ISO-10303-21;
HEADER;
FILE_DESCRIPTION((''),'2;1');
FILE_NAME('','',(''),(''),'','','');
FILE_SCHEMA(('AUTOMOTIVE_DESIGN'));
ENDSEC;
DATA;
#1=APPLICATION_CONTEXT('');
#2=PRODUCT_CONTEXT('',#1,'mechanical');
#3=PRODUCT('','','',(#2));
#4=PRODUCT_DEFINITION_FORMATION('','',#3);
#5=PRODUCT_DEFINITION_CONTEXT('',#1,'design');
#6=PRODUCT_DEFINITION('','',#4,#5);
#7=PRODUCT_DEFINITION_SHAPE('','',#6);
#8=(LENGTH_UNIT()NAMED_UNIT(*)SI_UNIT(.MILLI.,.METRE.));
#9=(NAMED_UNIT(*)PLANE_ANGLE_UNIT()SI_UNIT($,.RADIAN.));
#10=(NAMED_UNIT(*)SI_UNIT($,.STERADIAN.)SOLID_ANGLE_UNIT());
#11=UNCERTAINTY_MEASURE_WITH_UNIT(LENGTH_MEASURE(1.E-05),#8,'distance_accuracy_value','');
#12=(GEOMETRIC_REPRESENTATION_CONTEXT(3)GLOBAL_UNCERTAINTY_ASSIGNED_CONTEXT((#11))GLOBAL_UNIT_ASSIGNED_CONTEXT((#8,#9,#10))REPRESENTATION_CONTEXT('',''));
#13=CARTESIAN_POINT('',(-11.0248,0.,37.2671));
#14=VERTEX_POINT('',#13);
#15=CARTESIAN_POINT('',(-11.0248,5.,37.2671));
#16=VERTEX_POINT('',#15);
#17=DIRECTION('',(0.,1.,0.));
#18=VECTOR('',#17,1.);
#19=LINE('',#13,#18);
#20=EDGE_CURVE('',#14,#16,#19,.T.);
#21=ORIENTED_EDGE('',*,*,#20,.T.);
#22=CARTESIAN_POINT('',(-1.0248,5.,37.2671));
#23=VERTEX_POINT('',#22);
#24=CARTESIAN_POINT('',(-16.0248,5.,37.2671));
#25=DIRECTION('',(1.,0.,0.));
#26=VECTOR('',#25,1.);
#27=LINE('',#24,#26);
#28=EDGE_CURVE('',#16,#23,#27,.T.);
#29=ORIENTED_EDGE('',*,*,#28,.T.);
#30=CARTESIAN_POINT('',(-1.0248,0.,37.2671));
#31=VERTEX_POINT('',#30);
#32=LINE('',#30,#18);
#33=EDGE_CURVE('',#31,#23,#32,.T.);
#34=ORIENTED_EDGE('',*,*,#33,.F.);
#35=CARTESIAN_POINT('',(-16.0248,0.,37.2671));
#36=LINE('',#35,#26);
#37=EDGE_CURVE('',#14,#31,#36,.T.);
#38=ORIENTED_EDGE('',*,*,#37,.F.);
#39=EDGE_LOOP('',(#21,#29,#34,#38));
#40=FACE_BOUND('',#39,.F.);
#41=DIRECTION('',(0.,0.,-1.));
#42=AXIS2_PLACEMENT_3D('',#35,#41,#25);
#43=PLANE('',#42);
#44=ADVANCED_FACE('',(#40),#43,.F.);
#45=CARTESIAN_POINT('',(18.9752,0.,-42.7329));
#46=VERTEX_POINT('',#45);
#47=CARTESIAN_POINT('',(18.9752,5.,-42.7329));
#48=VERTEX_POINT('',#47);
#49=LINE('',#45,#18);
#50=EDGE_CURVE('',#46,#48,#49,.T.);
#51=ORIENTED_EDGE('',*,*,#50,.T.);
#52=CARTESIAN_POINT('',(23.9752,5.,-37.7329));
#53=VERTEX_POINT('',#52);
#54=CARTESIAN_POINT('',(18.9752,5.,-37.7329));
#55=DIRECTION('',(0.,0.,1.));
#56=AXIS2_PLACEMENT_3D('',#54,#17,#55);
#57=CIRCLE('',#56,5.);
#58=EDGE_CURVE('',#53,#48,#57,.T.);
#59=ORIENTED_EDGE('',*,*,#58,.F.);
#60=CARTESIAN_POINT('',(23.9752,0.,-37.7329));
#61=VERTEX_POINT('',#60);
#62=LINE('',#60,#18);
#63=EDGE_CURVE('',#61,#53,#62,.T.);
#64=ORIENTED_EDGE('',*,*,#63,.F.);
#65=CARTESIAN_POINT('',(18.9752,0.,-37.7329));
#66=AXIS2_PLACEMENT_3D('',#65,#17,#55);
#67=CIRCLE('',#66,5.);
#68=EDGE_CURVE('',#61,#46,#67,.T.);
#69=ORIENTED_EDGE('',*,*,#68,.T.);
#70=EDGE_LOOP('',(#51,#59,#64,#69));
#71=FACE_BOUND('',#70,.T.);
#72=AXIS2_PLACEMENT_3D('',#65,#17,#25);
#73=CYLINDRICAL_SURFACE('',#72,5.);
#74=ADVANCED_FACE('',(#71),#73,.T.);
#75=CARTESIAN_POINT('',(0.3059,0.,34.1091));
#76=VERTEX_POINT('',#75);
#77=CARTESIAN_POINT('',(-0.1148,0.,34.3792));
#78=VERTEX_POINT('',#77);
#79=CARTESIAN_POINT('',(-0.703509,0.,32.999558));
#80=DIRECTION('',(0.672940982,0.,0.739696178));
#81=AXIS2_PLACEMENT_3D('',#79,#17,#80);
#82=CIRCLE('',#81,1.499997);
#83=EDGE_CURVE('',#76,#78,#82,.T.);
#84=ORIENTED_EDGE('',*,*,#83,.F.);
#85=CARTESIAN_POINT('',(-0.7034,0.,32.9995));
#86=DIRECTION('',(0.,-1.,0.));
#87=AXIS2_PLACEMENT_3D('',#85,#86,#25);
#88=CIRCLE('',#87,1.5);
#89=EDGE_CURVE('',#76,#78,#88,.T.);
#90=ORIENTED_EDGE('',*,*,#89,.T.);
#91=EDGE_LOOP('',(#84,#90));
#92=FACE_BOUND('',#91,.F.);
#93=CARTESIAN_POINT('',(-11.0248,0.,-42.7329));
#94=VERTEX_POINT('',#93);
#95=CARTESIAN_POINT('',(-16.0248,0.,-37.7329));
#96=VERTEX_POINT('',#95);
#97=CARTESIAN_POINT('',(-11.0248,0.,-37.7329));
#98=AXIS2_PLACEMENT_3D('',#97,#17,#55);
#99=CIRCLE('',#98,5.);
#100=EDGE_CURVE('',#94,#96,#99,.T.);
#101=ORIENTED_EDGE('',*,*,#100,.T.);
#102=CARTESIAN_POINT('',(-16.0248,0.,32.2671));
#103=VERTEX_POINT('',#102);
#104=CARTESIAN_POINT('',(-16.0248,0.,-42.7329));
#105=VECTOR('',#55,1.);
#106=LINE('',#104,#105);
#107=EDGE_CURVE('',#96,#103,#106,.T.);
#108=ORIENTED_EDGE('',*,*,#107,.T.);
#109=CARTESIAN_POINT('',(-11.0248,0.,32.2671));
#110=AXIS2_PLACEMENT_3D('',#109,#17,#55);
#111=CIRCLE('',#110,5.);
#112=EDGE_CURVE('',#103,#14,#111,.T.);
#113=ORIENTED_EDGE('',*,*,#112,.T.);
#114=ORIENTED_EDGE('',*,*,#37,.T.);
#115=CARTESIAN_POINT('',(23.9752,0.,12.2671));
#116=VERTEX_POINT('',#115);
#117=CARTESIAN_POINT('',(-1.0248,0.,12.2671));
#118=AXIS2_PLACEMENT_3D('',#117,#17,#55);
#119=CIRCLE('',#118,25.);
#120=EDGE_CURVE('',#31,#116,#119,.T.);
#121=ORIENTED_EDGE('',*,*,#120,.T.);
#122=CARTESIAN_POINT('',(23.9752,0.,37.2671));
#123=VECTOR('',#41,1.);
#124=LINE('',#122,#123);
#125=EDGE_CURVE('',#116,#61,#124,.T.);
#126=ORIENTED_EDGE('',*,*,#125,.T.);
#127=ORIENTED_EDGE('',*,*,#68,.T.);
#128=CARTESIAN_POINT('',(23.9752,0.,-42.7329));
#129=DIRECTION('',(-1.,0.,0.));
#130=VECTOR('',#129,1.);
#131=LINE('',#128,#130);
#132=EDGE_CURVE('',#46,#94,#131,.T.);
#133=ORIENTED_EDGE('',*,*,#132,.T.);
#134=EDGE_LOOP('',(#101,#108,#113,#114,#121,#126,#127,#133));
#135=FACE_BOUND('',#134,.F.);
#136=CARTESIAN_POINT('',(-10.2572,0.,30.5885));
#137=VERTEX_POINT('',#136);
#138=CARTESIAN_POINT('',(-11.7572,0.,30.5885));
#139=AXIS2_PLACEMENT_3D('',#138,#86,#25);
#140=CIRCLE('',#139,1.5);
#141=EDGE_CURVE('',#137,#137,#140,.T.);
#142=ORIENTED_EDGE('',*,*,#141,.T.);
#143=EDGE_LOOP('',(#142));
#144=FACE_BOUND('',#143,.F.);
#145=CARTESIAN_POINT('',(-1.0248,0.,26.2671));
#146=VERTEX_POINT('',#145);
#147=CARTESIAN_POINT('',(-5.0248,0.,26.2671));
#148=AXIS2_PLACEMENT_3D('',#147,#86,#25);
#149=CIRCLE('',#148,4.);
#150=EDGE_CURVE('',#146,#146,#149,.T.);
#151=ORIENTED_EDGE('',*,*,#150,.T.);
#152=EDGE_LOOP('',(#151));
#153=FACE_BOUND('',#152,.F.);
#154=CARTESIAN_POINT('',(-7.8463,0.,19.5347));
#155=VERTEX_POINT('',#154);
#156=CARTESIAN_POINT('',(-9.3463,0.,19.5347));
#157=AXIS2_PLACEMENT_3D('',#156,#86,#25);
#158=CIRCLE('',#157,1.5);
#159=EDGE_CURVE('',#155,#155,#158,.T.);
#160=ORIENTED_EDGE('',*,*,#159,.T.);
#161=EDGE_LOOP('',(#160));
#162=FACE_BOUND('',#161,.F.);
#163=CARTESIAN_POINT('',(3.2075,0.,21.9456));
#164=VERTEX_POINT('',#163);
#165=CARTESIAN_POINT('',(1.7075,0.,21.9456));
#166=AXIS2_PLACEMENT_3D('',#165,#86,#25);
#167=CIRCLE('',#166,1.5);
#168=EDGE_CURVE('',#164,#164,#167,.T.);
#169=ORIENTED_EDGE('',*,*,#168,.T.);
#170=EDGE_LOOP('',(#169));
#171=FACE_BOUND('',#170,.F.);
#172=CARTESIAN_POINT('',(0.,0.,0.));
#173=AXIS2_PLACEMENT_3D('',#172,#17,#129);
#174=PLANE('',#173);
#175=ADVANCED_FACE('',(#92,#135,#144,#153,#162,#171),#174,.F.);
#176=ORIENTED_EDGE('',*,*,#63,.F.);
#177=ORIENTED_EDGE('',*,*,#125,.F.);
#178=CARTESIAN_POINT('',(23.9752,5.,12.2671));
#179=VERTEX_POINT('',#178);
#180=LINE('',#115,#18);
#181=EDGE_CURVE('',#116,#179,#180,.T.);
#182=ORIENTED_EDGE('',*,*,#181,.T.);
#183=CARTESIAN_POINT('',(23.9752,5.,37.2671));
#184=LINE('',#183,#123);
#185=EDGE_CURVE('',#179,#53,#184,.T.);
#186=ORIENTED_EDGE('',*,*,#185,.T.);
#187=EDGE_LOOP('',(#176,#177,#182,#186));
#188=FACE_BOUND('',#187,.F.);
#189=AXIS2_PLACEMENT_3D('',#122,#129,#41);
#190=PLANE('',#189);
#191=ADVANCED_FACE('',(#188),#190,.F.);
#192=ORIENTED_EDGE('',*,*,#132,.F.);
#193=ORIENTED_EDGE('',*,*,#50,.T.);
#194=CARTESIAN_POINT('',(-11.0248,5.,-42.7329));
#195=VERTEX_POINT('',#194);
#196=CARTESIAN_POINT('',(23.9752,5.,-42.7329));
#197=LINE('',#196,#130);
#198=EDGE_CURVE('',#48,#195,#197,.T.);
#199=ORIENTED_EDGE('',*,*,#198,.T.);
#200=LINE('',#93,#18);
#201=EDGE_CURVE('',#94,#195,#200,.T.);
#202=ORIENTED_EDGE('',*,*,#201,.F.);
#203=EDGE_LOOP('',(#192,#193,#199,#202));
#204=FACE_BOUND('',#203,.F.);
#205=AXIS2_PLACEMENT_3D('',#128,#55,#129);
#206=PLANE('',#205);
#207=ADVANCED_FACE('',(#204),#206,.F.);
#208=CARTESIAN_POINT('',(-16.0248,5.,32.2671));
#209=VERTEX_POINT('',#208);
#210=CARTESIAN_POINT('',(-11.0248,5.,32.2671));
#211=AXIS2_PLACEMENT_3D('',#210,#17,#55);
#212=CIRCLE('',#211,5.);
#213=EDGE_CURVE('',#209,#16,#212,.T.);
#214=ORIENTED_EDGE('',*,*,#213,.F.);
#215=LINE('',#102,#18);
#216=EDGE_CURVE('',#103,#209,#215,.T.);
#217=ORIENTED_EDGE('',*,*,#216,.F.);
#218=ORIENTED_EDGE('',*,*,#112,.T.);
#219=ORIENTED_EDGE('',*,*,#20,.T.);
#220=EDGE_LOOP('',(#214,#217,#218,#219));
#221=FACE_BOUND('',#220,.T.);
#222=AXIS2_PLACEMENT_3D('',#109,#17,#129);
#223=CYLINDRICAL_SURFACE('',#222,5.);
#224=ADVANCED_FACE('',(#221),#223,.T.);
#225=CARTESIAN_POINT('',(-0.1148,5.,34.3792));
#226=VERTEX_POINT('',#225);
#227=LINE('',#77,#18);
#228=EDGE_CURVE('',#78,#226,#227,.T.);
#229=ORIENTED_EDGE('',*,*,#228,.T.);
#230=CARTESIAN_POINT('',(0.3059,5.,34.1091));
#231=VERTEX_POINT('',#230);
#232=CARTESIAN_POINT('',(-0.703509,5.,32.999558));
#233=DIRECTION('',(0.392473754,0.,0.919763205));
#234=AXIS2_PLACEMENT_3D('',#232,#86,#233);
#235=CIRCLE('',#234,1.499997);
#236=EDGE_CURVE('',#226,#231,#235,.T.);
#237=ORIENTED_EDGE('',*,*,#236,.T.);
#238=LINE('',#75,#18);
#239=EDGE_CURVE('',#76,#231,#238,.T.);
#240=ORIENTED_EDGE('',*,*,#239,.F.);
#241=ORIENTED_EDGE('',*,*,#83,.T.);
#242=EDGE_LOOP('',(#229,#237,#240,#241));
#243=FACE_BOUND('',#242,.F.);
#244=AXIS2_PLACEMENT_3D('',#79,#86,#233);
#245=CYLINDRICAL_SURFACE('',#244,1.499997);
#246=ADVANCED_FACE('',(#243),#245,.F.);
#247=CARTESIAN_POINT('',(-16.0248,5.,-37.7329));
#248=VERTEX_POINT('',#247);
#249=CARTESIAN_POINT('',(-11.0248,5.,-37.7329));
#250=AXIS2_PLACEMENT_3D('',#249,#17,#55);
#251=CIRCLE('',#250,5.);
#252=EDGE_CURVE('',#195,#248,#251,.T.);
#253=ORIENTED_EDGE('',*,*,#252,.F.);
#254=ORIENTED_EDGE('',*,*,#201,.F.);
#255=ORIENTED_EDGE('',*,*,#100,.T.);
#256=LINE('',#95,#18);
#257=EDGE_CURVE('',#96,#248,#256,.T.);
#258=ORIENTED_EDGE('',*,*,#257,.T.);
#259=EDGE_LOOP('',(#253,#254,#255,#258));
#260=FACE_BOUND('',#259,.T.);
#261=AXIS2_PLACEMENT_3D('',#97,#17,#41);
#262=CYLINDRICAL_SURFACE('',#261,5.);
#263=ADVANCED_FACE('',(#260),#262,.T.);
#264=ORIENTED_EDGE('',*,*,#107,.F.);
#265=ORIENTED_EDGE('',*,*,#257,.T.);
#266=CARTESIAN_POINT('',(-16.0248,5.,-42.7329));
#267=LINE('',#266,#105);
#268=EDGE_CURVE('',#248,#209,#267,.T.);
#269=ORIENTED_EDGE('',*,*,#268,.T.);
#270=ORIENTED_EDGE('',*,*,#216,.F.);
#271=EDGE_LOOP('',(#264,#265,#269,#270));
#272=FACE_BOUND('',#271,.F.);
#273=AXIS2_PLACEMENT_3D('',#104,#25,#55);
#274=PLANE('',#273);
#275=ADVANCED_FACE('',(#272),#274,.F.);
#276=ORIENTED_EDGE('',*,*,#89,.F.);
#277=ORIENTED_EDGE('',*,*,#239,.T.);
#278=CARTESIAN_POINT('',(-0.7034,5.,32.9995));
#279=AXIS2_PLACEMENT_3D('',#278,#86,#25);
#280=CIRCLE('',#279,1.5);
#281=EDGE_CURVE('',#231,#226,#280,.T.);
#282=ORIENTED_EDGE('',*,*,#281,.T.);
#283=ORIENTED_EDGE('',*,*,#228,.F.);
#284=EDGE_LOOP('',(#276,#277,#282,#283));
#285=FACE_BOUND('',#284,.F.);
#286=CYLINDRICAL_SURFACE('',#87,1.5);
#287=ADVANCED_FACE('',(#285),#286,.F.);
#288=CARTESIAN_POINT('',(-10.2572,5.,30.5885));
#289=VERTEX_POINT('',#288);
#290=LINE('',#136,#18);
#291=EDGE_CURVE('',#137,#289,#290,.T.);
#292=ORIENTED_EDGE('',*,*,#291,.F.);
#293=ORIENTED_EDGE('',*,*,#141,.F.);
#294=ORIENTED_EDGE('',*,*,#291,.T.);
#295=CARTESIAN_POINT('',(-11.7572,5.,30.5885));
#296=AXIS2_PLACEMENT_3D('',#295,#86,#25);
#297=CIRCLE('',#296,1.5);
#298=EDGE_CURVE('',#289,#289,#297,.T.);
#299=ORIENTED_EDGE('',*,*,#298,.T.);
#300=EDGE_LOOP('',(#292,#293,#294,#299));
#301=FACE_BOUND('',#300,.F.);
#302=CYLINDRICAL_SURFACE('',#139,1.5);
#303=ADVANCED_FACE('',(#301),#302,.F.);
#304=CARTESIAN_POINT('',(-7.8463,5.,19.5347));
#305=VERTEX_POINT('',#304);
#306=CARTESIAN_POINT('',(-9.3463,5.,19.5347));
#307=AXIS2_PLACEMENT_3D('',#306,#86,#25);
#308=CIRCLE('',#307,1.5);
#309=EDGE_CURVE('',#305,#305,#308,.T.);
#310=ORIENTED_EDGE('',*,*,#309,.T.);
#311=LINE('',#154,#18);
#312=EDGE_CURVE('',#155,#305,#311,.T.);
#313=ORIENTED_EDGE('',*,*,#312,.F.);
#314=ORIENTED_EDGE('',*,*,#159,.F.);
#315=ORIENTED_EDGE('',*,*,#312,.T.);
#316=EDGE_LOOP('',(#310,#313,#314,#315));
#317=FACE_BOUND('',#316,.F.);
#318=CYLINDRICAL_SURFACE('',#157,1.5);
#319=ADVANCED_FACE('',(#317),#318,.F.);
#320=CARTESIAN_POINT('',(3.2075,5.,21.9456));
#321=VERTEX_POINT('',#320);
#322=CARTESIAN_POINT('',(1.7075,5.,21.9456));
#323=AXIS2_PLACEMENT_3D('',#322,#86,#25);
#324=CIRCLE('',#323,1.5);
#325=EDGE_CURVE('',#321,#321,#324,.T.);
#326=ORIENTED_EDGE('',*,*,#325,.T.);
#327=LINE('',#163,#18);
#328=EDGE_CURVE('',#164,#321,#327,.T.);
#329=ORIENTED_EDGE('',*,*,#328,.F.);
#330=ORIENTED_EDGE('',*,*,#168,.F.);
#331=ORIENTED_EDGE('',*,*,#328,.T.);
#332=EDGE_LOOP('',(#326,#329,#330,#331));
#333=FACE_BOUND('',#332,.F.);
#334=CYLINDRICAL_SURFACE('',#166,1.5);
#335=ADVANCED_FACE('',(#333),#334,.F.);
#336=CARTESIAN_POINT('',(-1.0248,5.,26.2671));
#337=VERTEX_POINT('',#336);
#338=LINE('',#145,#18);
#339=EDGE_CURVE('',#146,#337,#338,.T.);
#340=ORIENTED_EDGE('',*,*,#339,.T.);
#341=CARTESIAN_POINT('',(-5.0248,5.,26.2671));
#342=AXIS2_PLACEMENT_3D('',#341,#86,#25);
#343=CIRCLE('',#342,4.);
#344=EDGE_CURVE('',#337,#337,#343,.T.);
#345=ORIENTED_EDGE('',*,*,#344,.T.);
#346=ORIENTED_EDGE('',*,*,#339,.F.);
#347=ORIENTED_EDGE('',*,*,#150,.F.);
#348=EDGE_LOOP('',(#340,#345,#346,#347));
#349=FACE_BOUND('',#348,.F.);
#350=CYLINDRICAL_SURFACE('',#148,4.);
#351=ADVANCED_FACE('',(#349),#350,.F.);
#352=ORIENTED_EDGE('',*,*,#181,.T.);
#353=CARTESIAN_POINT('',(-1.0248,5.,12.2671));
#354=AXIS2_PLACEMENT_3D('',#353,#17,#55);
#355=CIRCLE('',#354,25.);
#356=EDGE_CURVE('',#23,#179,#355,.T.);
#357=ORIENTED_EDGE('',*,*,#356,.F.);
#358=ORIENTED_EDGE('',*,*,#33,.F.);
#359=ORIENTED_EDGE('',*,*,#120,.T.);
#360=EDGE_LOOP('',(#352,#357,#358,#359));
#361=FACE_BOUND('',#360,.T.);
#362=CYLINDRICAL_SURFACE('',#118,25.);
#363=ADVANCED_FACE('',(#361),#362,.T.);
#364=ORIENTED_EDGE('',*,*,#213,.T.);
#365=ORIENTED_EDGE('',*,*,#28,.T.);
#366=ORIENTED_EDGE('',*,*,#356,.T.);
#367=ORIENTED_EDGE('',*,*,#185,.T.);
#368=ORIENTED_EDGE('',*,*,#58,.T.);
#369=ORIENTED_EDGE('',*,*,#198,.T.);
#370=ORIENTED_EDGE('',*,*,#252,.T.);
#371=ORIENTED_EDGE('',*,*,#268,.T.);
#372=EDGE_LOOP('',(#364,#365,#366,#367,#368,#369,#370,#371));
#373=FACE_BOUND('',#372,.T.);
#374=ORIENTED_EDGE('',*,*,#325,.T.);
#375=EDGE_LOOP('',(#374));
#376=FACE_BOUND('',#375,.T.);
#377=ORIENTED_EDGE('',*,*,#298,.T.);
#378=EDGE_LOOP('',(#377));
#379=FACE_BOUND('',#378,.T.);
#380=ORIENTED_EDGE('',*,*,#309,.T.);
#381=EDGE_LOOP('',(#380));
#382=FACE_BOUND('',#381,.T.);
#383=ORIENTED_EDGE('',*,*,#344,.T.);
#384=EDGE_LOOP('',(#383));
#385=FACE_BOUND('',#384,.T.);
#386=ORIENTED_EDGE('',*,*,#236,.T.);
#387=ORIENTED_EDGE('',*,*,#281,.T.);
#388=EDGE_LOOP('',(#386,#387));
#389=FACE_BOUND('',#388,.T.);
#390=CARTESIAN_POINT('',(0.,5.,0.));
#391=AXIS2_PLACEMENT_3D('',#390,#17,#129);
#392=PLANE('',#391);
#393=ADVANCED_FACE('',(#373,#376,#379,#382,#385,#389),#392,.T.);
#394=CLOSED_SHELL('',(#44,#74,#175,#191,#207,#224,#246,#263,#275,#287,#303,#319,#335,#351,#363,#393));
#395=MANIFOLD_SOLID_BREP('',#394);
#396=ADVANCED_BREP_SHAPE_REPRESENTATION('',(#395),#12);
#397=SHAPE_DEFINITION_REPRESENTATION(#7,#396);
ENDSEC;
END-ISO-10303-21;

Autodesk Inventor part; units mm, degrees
ref_plane "YZ Plane" through (0, 0, 0) normal (1, 0, 0) x (0, 1, 0)
ref_plane "XZ Plane" through (0, 0, 0) normal (0, 1, 0) x (-1, 0, 0)
ref_plane "XY Plane" through (0, 0, 0) normal (0, 0, 1) x (1, 0, 0)
sketch "Esquisse1" plane through (0, 0, 0) normal (0, 1, 0) x (-1, 0, 0)
  line L0 (16.0248, 37.2671) -> (-23.9752, 37.2671)
  line L1 (-23.9752, 37.2671) -> (-23.9752, -42.7329)
  line L2 (-23.9752, -42.7329) -> (16.0248, -42.7329)
  line L3 (16.0248, -42.7329) -> (16.0248, 37.2671)
  point P0 (0, 0)
  dimension "d0" = 80
  dimension "d1" = 40
extrude "Extrusion1" add sketch "Esquisse1" along normal blind 5
sketch "Esquisse2" plane through (0, 0, 0) normal (0, -1, 0) x (1, 0, 0)
  point P0 (0, 0)
sketch "Esquisse3" plane through (0, 0, 0) normal (0, -1, 0) x (1, 0, 0)
  arc A0 (-0.1148, 34.3792) -> (0.3059, 34.1091) centre (-0.7034, 32.9995) ccw projected
  circle A1 centre (1.7075, 21.9456) radius 1.5 projected
  circle A2 centre (-9.3463, 19.5347) radius 1.5 projected
  circle A3 centre (-11.7572, 30.5885) radius 1.25 projected
  circle A4 centre (-5.0248, 26.2671) radius 4 projected
  circle A5 centre (-0.7034, 32.9995) radius 1.5
  circle A6 centre (-11.7572, 30.5885) radius 1.5
  point P0 (0, 0)
  dimension "d6" = 3
extrude "Extrusion2" cut sketch "Esquisse3" against normal through all contours A5 A0 | A1 | A2 | A3 | A4 | A6
fillet "Congé1" radius 25 1 edges at (23.9752, 2.5, 37.2671)
fillet "Congé2" radius 5 1 edges at (23.9752, 2.5, -42.7329)
fillet "Congé3" radius 5 1 edges at (-16.0248, 2.5, -42.7329)
fillet "Congé4" radius 5 1 edges at (-16.0248, 2.5, 37.2671)
properties part number "trappe"
